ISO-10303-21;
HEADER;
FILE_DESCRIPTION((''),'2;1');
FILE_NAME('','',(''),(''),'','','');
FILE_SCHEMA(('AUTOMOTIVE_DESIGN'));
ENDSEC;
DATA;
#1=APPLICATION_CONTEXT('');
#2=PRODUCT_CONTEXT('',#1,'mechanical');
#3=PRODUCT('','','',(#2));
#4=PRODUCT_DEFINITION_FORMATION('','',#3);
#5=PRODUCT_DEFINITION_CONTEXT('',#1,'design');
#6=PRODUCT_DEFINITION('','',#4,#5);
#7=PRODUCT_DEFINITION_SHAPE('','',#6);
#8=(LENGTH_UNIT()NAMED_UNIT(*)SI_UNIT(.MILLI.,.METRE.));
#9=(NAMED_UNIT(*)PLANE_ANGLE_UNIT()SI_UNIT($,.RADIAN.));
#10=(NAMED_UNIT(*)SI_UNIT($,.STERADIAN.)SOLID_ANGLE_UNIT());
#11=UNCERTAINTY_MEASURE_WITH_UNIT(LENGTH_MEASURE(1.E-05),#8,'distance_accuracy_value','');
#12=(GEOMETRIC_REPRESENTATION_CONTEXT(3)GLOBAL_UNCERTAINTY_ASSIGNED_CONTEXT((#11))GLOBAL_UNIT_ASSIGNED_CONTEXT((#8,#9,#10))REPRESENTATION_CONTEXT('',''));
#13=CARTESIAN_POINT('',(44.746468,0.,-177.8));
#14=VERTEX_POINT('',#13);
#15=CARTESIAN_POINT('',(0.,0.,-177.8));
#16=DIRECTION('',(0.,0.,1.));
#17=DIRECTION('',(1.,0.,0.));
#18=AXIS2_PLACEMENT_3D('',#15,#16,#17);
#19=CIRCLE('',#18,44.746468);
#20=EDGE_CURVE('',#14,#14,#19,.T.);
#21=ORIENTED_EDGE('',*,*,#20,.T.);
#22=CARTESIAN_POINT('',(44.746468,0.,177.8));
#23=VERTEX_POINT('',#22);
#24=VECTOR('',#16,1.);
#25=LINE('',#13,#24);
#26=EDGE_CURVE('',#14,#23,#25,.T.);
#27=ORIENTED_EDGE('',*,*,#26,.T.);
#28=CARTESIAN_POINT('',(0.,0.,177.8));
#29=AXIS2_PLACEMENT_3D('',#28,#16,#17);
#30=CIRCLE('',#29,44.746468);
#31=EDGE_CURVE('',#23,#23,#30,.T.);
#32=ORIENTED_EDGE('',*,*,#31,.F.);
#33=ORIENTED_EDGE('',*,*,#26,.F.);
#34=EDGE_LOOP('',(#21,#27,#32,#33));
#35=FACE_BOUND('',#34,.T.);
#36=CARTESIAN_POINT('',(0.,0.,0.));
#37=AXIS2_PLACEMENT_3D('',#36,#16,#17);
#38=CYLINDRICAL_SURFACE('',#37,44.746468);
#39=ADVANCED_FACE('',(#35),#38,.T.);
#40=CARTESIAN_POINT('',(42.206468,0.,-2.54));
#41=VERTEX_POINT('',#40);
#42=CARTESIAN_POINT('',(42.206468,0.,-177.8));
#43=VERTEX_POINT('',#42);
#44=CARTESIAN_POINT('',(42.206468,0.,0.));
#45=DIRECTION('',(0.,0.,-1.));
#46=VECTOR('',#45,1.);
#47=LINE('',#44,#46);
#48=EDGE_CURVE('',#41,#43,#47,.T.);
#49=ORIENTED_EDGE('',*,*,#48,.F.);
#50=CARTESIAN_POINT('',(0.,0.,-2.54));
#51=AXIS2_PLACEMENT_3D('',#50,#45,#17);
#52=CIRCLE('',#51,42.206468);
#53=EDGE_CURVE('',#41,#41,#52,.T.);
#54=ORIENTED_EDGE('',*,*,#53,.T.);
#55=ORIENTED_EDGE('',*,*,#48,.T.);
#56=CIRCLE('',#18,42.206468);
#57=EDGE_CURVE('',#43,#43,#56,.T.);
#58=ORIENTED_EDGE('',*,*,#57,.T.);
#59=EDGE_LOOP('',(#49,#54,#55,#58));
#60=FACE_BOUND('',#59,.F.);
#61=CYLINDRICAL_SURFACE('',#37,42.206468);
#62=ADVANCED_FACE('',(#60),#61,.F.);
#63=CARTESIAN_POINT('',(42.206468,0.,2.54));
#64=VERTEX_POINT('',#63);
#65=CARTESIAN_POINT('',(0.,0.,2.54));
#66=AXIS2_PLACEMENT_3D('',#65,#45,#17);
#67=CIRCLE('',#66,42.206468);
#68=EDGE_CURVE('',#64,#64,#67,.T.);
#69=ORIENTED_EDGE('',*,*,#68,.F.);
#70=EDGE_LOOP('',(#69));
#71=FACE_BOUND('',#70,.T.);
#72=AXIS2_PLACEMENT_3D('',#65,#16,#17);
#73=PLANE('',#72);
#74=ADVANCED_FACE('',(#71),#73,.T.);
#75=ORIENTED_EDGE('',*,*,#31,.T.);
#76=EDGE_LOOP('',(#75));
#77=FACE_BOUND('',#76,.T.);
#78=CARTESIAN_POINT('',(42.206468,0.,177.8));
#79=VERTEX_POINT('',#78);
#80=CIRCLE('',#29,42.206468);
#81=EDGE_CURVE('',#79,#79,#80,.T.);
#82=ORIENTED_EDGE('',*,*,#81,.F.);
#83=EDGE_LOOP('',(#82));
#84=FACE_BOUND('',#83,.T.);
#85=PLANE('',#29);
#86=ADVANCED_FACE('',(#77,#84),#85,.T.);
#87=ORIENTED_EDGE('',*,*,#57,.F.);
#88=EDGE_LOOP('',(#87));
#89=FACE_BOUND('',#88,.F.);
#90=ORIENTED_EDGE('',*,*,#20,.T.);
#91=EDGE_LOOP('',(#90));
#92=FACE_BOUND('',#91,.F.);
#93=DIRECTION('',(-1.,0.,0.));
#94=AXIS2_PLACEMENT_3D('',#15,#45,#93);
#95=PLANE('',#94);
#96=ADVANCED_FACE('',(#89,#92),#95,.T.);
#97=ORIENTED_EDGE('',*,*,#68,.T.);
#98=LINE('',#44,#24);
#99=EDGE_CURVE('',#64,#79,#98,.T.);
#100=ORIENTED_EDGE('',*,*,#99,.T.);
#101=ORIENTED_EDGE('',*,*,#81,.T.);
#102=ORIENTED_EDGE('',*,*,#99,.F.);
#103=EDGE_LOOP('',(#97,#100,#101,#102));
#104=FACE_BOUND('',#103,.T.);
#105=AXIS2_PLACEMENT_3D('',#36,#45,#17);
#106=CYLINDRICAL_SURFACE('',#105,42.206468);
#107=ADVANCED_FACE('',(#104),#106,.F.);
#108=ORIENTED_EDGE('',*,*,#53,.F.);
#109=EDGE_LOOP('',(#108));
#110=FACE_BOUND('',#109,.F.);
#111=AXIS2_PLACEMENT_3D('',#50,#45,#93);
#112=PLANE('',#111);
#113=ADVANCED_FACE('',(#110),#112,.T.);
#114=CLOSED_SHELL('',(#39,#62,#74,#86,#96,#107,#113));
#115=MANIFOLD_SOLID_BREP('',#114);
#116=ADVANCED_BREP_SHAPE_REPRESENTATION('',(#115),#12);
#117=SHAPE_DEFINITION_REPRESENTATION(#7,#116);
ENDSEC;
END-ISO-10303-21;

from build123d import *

# Parameters (mm, degrees)
F0_R     = 44.746468
F1_DEPTH = 177.8
F2_T     = -2.54


with BuildPart() as f1:
    # F0 (on Top) → F1 (new body)
    with BuildSketch(Plane.XY):
        Circle(F0_R)
    extrude(amount=F1_DEPTH)

    # F2
    f2_openings = [f1.faces().sort_by_distance(p)[0] for p in [
        (0, 0, 177.8),
    ]]
    offset(amount=F2_T, openings=f2_openings)

    # F3: F1 across plane


with BuildPart() as f1_1:
    add(f1.part)
    add(f1.part.mirror(Plane.XY))


solid = f1_1.part
